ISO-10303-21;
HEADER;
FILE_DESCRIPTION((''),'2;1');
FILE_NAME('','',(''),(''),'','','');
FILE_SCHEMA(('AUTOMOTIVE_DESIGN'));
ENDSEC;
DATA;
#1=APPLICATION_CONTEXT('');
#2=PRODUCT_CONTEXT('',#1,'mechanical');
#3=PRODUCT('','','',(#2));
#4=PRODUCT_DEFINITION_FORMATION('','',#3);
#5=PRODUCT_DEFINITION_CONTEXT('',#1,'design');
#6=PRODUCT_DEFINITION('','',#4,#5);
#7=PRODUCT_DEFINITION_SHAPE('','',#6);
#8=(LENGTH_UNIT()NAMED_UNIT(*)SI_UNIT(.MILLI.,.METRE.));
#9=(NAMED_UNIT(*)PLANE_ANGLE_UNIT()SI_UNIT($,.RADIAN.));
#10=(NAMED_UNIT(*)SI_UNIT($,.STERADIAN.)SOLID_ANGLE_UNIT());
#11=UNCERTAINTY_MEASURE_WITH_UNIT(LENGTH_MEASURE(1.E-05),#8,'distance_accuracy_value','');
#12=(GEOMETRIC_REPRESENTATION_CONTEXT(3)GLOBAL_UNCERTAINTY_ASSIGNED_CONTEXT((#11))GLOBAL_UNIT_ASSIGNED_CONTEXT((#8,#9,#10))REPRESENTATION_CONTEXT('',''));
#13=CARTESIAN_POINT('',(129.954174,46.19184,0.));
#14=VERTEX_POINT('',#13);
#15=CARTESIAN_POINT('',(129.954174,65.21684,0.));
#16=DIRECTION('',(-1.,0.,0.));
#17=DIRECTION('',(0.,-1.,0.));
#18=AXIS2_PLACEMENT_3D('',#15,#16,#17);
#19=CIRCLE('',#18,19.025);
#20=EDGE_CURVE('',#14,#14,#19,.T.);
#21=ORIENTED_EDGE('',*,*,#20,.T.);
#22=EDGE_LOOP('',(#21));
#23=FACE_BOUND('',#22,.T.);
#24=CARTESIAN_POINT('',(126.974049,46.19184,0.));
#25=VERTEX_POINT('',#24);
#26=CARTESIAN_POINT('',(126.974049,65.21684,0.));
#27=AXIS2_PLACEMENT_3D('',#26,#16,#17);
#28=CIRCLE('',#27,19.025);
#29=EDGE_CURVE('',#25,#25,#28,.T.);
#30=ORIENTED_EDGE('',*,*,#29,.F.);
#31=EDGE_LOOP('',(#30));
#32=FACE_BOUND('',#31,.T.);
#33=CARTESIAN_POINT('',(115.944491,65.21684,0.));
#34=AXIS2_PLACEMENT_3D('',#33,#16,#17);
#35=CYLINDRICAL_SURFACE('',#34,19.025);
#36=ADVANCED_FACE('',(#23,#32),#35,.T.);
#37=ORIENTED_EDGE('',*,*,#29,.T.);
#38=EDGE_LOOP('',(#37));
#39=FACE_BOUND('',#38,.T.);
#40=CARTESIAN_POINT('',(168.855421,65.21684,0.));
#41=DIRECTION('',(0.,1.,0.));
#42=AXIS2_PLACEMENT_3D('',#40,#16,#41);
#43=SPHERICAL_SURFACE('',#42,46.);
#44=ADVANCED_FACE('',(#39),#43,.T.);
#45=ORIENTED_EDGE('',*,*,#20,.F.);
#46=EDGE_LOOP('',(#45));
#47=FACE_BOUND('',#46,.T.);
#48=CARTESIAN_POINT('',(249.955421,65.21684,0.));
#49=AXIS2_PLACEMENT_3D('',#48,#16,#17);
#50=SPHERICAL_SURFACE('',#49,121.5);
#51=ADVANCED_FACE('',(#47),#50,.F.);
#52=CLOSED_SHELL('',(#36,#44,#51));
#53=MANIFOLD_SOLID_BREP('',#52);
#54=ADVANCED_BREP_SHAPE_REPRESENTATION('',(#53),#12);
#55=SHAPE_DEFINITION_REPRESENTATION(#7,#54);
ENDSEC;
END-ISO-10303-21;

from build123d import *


with BuildPart() as part:
    # 草图1 → 旋转1 (revolve)
    with BuildSketch(Plane.XY, mode=Mode.PRIVATE) as revolve_1_sk:
        with BuildLine():
            Line((126.974048666, 84.241840471), (129.954173926, 84.241840471))
            ThreePointArc((129.954173926, 84.241840471), (128.830688998, 74.758812023), (128.455421316, 65.216840471))
            Line((128.455421316, 65.216840471), (122.855421316, 65.216840471))
            ThreePointArc((122.855421316, 65.216840471), (123.896867392, 74.94969355), (126.974048666, 84.241840471))
        make_face()
    revolve(revolve_1_sk.sketch.rotate(Axis((115.944491298, 65.216840471, 0), (1, 0, 0)), 180), axis=Axis((115.944491298, 65.216840471, 0), (1, 0, 0)))  # turned: the seam where the file's is


solid = part.part
